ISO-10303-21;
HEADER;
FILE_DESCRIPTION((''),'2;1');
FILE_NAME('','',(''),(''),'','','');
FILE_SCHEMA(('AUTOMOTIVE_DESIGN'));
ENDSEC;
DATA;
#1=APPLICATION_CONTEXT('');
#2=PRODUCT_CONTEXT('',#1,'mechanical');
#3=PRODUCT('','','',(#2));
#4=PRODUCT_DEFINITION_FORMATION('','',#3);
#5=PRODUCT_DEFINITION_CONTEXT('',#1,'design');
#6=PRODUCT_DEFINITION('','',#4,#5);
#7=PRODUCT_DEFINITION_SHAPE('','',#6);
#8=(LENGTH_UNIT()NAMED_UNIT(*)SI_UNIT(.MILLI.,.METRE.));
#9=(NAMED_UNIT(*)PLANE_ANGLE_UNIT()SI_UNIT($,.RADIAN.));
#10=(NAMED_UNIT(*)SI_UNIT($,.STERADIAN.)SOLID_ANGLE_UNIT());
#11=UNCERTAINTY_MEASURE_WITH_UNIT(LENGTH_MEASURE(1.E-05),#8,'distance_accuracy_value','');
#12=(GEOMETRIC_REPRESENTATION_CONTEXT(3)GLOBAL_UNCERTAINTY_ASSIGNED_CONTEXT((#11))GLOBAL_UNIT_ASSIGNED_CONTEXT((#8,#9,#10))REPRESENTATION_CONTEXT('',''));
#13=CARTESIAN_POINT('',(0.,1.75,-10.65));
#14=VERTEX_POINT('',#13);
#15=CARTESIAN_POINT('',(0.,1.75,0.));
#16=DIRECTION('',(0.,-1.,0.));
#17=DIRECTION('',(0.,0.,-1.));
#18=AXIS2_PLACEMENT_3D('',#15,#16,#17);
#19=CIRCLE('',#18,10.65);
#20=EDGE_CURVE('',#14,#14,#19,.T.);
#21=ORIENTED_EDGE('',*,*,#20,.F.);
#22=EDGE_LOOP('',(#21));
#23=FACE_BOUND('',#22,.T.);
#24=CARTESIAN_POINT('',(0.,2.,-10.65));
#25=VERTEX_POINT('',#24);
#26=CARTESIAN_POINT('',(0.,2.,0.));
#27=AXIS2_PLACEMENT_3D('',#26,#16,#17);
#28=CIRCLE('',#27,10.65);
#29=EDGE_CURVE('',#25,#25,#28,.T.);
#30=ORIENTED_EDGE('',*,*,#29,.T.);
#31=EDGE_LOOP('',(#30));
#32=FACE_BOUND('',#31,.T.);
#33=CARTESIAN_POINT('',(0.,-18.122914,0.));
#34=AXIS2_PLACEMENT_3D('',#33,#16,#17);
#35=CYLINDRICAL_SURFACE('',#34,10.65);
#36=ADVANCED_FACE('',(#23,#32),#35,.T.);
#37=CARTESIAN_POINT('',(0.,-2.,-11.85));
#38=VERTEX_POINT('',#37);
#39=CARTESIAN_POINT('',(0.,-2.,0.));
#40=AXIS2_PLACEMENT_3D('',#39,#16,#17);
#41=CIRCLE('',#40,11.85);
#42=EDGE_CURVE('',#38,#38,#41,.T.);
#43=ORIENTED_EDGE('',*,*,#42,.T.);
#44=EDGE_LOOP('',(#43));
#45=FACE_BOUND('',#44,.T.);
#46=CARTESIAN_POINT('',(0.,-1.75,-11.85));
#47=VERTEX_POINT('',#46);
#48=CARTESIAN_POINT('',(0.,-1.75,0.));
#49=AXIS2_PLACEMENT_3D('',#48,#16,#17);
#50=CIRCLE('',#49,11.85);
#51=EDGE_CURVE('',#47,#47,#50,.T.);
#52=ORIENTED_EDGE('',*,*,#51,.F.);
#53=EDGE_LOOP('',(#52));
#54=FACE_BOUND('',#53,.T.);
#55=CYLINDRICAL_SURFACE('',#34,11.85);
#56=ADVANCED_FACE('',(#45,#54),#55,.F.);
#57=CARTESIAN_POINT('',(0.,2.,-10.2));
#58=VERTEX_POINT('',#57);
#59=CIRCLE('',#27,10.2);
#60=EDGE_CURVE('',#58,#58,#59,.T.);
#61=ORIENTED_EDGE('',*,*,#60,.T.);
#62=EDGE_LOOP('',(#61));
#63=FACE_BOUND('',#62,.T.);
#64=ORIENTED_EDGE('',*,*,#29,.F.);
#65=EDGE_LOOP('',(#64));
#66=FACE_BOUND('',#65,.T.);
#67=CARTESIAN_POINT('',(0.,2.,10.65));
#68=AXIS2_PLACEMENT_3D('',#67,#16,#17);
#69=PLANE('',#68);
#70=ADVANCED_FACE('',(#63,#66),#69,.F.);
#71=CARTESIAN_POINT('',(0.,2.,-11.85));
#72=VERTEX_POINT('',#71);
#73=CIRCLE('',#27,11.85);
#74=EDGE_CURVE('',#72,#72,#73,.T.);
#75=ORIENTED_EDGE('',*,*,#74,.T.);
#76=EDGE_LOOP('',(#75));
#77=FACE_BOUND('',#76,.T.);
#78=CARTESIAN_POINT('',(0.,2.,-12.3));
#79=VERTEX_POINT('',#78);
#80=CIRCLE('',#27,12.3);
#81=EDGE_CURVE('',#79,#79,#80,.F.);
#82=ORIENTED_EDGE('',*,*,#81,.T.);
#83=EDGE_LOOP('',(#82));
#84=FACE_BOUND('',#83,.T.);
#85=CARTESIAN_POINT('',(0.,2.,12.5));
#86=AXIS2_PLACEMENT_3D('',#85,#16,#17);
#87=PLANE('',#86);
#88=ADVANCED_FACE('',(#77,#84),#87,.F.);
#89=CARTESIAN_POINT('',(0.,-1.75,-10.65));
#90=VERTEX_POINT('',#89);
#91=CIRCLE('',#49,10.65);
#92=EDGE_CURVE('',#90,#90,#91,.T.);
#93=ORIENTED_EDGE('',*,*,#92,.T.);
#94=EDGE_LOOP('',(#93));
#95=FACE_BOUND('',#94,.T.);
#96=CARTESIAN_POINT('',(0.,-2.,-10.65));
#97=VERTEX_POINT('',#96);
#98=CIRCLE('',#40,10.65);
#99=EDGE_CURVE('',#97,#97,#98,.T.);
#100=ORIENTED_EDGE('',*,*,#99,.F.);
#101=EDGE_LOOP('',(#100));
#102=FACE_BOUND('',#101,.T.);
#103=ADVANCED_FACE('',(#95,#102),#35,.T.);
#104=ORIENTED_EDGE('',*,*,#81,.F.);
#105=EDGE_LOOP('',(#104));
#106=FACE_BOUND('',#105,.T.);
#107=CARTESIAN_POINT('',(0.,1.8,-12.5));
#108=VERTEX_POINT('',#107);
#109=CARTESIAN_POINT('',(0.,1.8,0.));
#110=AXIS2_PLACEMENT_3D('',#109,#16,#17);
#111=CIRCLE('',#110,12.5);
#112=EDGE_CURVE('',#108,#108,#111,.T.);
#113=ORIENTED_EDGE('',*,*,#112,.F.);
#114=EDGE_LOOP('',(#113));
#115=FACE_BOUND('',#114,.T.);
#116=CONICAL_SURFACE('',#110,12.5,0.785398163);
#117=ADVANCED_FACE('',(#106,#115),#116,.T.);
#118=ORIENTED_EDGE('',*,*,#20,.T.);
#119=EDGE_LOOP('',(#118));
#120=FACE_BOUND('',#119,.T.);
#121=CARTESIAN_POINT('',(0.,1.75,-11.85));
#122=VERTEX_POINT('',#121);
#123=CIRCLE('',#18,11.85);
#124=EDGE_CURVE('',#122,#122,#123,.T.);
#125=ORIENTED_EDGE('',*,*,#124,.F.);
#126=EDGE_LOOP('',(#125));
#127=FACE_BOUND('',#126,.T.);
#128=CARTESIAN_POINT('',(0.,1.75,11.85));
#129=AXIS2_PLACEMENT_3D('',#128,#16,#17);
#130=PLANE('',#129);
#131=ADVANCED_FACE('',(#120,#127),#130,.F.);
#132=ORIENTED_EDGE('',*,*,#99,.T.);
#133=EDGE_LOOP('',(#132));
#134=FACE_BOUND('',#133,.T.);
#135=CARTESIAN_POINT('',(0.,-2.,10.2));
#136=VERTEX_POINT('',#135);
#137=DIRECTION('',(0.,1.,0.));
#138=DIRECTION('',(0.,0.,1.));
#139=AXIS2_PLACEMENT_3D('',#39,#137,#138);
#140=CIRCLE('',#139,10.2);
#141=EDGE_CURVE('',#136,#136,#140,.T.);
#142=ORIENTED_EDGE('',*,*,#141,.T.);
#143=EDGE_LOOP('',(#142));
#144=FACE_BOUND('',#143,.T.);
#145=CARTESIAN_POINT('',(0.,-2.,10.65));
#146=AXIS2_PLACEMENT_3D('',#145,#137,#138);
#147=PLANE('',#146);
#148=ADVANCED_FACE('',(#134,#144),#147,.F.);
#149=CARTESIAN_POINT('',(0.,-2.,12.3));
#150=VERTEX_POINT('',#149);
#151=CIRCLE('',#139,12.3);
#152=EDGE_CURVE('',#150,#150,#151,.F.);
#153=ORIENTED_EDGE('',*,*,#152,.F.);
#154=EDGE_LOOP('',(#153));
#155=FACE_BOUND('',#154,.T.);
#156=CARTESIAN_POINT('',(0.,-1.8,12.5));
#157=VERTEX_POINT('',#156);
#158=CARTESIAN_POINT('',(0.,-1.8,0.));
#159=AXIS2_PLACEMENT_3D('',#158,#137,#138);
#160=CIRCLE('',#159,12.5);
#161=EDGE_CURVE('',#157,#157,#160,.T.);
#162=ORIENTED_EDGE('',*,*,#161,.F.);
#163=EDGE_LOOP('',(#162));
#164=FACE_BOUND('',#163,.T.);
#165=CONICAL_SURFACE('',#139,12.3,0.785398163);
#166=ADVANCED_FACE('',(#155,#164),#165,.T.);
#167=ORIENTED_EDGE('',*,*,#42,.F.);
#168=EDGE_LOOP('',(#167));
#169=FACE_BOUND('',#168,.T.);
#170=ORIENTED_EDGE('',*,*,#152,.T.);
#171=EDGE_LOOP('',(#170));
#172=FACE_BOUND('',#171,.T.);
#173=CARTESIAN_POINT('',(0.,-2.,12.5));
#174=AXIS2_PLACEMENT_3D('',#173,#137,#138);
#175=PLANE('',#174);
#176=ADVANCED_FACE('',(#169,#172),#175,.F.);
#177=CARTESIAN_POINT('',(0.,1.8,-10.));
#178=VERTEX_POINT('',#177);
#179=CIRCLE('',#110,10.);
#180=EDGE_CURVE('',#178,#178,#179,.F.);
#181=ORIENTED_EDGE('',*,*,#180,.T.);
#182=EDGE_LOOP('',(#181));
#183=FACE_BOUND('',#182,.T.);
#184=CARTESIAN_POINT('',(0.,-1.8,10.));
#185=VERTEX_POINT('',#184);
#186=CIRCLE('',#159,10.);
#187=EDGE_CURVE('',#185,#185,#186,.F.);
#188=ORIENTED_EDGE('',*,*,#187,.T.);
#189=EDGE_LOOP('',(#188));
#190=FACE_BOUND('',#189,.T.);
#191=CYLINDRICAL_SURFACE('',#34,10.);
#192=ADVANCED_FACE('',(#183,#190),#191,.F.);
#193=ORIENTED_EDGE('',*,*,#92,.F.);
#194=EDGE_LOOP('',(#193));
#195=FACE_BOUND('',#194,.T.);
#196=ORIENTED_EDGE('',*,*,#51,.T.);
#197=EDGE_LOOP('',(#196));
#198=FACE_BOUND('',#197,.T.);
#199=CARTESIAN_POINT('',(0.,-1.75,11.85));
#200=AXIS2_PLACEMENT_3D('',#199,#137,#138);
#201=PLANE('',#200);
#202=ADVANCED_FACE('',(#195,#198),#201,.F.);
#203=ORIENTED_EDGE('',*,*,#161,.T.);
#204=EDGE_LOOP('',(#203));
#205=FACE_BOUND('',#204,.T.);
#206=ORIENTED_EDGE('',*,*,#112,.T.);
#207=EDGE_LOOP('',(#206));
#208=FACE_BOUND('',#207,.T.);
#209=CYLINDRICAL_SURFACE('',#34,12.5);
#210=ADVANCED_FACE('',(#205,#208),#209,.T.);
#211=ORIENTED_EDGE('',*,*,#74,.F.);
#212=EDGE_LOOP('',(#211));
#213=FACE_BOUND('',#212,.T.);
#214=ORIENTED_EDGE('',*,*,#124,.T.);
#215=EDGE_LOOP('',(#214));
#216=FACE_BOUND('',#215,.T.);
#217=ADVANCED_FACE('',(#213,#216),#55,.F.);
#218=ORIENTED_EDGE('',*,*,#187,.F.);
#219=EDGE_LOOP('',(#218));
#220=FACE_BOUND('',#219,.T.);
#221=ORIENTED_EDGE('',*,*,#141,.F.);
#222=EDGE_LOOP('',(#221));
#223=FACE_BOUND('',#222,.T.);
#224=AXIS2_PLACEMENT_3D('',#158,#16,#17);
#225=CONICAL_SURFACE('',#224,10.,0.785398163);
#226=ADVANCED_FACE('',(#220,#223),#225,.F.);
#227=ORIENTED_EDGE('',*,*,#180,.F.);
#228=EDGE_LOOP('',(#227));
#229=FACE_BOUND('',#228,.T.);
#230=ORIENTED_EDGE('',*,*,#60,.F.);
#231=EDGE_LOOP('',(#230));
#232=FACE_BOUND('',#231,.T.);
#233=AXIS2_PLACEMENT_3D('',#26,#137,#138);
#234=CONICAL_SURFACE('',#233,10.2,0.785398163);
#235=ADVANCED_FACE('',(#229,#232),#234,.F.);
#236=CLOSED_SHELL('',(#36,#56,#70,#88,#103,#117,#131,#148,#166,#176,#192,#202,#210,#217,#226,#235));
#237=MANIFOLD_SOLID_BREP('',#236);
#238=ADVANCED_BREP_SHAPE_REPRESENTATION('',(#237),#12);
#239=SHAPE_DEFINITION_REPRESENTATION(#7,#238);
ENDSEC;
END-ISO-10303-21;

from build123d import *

# Parameters (mm, degrees)
FASE1_SIZE = 0.2


with BuildPart() as part:
    # Skizze2 → Rotation2 (revolve)
    with BuildSketch(Plane(origin=(0, 0, 0), x_dir=(0, 0, -1), z_dir=(1, 0, 0))):
        Polygon((-12.5, 2), (-12.5, -2), (-11.85, -2), (-11.85, -1.75), (-10.65, -1.75), (-10.65, -2), (-10, -2), (-10, 2), (-10.65, 2), (-10.65, 1.75), (-11.85, 1.75), (-11.85, 2), align=None)
    revolve(axis=Axis((0, -18.122913865, 0), (0, 1, 0)))

    # Fase1
    fase1_edges = [part.edges().sort_by_distance(p)[0] for p in [
        (0, 2, -10),
        (0, -2, -10),
        (0, -2, -12.5),
        (0, 2, -12.5),
    ]]
    chamfer(fase1_edges, length=FASE1_SIZE)


solid = part.part
